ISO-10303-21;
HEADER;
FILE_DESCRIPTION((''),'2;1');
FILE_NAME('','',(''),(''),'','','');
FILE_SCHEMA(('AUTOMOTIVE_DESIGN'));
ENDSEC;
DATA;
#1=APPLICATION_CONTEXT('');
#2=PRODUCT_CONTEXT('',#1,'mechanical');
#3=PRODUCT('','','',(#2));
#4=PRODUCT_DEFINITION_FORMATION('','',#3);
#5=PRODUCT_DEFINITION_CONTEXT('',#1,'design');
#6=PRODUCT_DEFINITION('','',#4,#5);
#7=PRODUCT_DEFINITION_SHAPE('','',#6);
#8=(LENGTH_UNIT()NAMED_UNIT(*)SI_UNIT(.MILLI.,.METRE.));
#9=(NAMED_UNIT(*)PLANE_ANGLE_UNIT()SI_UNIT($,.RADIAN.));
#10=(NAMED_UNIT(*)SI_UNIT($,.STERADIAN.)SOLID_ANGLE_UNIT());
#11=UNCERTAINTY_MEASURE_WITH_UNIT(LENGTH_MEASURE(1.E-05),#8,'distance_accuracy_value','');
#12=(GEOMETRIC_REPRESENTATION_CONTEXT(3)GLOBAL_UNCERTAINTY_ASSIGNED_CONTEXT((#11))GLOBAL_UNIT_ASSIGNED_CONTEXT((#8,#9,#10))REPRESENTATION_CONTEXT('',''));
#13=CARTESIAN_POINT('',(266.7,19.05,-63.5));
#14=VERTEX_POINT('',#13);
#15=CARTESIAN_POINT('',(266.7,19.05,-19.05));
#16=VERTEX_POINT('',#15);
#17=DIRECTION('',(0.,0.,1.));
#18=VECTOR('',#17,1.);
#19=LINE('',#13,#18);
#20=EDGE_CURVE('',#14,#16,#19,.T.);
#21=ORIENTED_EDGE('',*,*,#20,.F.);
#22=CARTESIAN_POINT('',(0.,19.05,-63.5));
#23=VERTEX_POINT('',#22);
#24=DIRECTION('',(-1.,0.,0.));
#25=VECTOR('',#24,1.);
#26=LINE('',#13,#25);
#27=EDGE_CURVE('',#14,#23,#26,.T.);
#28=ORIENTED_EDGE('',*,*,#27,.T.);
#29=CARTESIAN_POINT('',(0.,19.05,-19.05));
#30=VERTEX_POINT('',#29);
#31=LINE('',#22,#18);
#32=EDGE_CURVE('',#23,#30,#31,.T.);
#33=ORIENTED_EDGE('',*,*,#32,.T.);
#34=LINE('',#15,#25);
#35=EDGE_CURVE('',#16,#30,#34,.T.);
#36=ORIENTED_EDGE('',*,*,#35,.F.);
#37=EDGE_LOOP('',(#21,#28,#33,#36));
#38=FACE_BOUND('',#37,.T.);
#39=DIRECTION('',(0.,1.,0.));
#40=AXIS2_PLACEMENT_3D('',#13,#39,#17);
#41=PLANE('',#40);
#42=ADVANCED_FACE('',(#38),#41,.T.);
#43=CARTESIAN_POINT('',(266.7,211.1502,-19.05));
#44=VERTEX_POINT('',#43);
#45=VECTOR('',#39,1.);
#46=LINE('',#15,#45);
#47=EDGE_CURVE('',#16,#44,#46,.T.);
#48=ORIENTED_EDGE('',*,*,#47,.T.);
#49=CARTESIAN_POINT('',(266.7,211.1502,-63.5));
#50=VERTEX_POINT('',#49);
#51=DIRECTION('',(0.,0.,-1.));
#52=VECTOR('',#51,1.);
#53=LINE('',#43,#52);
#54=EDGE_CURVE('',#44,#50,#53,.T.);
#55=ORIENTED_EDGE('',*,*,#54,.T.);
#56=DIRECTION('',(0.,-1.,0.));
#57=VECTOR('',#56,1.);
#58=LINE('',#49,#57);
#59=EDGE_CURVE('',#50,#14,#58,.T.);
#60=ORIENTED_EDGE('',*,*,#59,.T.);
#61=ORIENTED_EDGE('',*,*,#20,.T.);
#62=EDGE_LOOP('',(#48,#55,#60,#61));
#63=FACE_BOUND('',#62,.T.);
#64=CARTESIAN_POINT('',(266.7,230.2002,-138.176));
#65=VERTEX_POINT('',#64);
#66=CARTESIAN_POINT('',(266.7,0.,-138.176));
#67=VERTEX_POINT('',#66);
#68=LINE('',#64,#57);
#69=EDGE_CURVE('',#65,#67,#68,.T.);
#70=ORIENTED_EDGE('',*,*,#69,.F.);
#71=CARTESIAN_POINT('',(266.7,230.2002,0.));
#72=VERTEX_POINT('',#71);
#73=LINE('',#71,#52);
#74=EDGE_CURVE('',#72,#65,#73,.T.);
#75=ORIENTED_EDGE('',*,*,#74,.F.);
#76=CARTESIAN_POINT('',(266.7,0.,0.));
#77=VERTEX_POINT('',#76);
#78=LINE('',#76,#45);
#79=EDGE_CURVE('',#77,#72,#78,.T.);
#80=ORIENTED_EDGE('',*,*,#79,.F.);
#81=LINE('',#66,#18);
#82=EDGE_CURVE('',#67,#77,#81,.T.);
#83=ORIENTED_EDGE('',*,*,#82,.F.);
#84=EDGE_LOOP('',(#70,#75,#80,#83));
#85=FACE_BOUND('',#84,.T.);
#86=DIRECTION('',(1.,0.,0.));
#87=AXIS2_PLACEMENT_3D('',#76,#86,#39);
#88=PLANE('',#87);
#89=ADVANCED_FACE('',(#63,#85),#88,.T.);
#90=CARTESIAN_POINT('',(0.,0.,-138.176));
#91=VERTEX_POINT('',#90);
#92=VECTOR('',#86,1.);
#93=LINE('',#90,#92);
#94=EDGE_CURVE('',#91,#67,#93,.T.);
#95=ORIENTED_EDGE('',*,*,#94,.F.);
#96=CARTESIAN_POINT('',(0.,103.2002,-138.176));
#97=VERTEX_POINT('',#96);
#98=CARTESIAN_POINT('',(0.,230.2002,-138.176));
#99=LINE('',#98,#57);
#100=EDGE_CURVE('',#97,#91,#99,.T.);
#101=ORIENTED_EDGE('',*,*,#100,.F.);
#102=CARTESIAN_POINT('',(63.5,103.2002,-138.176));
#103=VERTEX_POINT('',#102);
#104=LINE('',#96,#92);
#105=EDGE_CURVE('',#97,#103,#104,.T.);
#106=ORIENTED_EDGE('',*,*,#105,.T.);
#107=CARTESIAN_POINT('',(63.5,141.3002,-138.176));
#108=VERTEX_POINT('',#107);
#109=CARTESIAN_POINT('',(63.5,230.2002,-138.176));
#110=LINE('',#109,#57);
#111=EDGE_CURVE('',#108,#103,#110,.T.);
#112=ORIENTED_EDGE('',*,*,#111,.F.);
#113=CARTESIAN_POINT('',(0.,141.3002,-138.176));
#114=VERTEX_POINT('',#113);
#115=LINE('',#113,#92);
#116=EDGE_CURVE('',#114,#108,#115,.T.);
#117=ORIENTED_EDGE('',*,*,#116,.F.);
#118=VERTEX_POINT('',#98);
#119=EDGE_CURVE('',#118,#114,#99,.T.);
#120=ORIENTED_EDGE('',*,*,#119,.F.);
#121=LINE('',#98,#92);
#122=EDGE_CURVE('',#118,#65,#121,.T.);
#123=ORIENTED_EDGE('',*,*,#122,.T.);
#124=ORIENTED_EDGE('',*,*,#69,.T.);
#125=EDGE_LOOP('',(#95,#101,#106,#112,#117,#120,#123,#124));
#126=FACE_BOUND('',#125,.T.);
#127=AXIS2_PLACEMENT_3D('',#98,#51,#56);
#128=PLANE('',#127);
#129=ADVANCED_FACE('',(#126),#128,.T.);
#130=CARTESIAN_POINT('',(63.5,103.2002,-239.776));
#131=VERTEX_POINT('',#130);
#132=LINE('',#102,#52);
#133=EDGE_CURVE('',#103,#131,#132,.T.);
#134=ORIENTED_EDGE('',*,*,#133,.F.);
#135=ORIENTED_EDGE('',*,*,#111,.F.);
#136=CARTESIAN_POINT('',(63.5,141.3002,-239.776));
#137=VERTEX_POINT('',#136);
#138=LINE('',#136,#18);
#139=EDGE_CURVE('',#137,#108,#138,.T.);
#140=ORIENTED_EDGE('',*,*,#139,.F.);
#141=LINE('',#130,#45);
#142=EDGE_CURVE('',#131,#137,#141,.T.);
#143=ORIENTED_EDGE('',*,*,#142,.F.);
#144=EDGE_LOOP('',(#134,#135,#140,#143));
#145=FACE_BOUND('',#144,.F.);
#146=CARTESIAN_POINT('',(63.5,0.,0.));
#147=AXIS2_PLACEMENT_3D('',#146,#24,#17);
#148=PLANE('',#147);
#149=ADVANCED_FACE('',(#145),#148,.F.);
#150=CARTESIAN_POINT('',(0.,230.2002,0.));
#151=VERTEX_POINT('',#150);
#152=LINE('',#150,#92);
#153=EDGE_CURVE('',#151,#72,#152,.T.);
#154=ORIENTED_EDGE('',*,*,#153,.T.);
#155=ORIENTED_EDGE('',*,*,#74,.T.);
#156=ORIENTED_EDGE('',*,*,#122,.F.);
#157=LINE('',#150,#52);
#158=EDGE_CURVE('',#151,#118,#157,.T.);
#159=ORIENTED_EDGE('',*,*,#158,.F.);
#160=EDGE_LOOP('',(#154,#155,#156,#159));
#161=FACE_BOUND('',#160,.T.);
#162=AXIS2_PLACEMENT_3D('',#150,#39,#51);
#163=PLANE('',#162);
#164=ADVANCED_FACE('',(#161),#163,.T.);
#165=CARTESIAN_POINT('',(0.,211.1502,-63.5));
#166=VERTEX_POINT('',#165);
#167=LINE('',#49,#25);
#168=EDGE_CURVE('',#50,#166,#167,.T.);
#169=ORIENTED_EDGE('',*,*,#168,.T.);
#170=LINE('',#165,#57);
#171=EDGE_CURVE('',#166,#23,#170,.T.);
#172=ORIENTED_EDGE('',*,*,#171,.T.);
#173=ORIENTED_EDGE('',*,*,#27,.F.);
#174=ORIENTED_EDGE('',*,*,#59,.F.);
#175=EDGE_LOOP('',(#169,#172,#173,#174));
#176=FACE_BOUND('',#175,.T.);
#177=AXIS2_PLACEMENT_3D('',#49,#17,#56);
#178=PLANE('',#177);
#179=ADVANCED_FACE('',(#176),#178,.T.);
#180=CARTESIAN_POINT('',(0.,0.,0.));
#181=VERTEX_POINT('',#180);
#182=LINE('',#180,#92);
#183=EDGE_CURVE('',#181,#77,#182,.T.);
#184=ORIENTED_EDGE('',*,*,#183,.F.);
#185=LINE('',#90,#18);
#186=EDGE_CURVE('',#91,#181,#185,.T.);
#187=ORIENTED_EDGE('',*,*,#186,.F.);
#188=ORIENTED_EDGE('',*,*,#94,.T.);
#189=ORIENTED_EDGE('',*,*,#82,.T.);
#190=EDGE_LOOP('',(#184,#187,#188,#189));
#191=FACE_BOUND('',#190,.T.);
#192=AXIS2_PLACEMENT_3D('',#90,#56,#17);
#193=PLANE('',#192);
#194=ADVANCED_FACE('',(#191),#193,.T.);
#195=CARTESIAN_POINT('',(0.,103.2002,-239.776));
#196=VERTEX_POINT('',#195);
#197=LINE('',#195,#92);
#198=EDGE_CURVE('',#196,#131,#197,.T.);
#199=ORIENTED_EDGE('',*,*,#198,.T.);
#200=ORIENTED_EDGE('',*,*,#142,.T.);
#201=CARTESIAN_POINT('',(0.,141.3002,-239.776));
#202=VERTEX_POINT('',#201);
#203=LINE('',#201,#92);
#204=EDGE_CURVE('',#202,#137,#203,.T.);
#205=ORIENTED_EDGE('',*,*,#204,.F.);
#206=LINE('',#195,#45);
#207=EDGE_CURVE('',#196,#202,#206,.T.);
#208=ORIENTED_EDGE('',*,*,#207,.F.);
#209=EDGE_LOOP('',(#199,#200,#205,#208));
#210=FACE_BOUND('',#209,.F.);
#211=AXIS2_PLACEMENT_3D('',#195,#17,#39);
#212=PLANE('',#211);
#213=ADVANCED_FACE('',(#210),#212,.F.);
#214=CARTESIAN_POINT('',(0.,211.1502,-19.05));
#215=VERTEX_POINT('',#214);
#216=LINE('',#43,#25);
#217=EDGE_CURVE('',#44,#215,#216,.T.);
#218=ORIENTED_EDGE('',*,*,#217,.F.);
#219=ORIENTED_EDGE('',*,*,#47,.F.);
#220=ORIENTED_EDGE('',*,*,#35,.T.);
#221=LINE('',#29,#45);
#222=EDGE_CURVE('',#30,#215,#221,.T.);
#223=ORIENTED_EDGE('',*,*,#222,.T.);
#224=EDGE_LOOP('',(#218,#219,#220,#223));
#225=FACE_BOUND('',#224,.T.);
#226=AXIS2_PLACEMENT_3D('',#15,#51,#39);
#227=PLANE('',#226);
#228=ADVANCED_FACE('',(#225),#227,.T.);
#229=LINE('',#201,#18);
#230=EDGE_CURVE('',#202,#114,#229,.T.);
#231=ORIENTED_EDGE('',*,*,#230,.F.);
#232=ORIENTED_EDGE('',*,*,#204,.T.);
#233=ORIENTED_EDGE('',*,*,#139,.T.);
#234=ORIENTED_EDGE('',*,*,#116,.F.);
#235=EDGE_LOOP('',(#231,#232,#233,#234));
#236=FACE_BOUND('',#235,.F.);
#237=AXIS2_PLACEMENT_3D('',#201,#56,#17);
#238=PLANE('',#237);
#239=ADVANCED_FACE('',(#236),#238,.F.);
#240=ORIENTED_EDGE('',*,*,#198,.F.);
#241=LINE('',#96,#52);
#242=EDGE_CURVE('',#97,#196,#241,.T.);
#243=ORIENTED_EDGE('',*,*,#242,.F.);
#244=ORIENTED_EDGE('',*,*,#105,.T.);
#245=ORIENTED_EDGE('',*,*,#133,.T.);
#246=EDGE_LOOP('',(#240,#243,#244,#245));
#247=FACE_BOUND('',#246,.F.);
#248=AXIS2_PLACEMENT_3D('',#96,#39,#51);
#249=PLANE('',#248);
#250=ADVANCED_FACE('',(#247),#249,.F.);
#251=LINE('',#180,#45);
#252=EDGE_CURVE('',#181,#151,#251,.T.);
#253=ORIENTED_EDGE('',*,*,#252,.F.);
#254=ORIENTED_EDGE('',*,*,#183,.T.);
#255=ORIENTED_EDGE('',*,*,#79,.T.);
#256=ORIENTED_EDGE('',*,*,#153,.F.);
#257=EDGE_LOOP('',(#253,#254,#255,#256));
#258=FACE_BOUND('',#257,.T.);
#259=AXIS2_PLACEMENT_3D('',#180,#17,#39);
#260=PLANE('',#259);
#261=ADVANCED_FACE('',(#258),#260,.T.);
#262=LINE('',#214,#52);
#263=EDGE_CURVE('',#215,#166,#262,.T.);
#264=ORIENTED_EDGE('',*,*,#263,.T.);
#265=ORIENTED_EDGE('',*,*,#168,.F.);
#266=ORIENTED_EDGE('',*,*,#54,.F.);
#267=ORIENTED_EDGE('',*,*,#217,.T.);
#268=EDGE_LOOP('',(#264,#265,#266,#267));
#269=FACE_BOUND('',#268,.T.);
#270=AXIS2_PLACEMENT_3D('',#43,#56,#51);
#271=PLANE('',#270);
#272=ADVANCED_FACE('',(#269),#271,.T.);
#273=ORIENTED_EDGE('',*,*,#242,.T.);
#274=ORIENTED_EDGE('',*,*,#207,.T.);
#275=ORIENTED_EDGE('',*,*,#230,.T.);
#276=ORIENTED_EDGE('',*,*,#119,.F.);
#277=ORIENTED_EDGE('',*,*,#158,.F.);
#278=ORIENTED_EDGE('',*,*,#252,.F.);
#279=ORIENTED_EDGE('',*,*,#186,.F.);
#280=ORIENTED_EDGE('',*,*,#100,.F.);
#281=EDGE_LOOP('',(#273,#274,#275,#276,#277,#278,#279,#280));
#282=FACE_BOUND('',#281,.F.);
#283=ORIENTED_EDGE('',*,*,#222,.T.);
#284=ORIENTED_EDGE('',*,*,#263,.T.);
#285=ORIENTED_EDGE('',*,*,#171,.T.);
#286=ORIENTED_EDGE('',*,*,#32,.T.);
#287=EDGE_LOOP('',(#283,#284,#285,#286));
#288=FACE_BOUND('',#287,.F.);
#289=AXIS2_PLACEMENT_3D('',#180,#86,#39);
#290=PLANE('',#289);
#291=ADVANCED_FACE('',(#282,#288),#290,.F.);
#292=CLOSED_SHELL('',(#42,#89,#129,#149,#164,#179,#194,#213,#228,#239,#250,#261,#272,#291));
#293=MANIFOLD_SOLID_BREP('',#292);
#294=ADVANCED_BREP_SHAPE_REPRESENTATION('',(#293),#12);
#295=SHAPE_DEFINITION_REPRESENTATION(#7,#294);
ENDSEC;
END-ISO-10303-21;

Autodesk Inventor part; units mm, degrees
ref_plane "YZ Plane" through (0, 0, 0) normal (1, 0, 0) x (0, 1, 0)
ref_plane "XZ Plane" through (0, 0, 0) normal (0, 1, 0) x (-1, 0, 0)
ref_plane "XY Plane" through (0, 0, 0) normal (0, 0, 1) x (1, 0, 0)
sketch "Sketch1" plane through (0, 0, 0) normal (1, 0, 0) x (0, 1, 0)
  line L0 (0, 0) -> (230.2002, 0)
  line L1 (230.2002, 0) -> (230.2002, -138.176)
  line L2 (230.2002, -138.176) -> (0, -138.176)
  line L3 (0, -138.176) -> (0, 0)
  dimension "d0" = 230.2002
  dimension "d1" = 138.176
extrude "Extrusion1" add sketch "Sketch1" along normal blind 266.7
sketch "Sketch2" plane through (266.7, 0, 0) normal (1, 0, 0) x (0, 0, -1)
  line L0 (0, 230.2002) -> (0, 0) projected
  line L1 (0, 0) -> (138.176, 0) projected
  line L2 (138.176, 0) -> (138.176, 230.2002) projected
  line L3 (138.176, 230.2002) -> (0, 230.2002) projected
  line L4 (19.05, 211.1502) -> (63.5, 211.1502)
  line L5 (63.5, 211.1502) -> (63.5, 19.05)
  line L6 (63.5, 19.05) -> (19.05, 19.05)
  line L7 (19.05, 19.05) -> (19.05, 211.1502)
  dimension "d4" = 19.05
  dimension "d5" = 63.5
  dimension "d7" = 19.05
  dimension "d17" = 19.05
extrude "Extrusion2" cut sketch "Sketch2" against normal blind 266.7 contours L4 L5 L6 L7
sketch "Sketch3" plane through (0, 0, 0) normal (-1, 0, 0) x (0, 0, 1)
  line L0 (-19.05, 211.1502) -> (-19.05, 19.05) projected
  line L1 (-19.05, 19.05) -> (-63.5, 19.05) projected
  line L2 (-63.5, 19.05) -> (-63.5, 211.1502) projected
  line L3 (-63.5, 211.1502) -> (-19.05, 211.1502) projected
  line L4 (0, 0) -> (0, 230.2002) projected
  line L5 (0, 230.2002) -> (-138.176, 230.2002) projected
  line L6 (-138.176, 230.2002) -> (-138.176, 0) projected
  line L7 (-138.176, 0) -> (0, 0) projected
  line L8 (-138.176, 103.2002) -> (-239.776, 103.2002)
  line L9 (-239.776, 103.2002) -> (-239.776, 141.3002)
  line L10 (-239.776, 141.3002) -> (-138.176, 141.3002)
  line L11 (-138.176, 141.3002) -> (-138.176, 103.2002)
  dimension "d11" = 101.6
  dimension "d12" = 38.1
  dimension "d14" = 127
extrude "Extrusion3" add sketch "Sketch3" against normal blind 63.5 contours L8 L9 L10 L6
properties part number "ShooterProto"
